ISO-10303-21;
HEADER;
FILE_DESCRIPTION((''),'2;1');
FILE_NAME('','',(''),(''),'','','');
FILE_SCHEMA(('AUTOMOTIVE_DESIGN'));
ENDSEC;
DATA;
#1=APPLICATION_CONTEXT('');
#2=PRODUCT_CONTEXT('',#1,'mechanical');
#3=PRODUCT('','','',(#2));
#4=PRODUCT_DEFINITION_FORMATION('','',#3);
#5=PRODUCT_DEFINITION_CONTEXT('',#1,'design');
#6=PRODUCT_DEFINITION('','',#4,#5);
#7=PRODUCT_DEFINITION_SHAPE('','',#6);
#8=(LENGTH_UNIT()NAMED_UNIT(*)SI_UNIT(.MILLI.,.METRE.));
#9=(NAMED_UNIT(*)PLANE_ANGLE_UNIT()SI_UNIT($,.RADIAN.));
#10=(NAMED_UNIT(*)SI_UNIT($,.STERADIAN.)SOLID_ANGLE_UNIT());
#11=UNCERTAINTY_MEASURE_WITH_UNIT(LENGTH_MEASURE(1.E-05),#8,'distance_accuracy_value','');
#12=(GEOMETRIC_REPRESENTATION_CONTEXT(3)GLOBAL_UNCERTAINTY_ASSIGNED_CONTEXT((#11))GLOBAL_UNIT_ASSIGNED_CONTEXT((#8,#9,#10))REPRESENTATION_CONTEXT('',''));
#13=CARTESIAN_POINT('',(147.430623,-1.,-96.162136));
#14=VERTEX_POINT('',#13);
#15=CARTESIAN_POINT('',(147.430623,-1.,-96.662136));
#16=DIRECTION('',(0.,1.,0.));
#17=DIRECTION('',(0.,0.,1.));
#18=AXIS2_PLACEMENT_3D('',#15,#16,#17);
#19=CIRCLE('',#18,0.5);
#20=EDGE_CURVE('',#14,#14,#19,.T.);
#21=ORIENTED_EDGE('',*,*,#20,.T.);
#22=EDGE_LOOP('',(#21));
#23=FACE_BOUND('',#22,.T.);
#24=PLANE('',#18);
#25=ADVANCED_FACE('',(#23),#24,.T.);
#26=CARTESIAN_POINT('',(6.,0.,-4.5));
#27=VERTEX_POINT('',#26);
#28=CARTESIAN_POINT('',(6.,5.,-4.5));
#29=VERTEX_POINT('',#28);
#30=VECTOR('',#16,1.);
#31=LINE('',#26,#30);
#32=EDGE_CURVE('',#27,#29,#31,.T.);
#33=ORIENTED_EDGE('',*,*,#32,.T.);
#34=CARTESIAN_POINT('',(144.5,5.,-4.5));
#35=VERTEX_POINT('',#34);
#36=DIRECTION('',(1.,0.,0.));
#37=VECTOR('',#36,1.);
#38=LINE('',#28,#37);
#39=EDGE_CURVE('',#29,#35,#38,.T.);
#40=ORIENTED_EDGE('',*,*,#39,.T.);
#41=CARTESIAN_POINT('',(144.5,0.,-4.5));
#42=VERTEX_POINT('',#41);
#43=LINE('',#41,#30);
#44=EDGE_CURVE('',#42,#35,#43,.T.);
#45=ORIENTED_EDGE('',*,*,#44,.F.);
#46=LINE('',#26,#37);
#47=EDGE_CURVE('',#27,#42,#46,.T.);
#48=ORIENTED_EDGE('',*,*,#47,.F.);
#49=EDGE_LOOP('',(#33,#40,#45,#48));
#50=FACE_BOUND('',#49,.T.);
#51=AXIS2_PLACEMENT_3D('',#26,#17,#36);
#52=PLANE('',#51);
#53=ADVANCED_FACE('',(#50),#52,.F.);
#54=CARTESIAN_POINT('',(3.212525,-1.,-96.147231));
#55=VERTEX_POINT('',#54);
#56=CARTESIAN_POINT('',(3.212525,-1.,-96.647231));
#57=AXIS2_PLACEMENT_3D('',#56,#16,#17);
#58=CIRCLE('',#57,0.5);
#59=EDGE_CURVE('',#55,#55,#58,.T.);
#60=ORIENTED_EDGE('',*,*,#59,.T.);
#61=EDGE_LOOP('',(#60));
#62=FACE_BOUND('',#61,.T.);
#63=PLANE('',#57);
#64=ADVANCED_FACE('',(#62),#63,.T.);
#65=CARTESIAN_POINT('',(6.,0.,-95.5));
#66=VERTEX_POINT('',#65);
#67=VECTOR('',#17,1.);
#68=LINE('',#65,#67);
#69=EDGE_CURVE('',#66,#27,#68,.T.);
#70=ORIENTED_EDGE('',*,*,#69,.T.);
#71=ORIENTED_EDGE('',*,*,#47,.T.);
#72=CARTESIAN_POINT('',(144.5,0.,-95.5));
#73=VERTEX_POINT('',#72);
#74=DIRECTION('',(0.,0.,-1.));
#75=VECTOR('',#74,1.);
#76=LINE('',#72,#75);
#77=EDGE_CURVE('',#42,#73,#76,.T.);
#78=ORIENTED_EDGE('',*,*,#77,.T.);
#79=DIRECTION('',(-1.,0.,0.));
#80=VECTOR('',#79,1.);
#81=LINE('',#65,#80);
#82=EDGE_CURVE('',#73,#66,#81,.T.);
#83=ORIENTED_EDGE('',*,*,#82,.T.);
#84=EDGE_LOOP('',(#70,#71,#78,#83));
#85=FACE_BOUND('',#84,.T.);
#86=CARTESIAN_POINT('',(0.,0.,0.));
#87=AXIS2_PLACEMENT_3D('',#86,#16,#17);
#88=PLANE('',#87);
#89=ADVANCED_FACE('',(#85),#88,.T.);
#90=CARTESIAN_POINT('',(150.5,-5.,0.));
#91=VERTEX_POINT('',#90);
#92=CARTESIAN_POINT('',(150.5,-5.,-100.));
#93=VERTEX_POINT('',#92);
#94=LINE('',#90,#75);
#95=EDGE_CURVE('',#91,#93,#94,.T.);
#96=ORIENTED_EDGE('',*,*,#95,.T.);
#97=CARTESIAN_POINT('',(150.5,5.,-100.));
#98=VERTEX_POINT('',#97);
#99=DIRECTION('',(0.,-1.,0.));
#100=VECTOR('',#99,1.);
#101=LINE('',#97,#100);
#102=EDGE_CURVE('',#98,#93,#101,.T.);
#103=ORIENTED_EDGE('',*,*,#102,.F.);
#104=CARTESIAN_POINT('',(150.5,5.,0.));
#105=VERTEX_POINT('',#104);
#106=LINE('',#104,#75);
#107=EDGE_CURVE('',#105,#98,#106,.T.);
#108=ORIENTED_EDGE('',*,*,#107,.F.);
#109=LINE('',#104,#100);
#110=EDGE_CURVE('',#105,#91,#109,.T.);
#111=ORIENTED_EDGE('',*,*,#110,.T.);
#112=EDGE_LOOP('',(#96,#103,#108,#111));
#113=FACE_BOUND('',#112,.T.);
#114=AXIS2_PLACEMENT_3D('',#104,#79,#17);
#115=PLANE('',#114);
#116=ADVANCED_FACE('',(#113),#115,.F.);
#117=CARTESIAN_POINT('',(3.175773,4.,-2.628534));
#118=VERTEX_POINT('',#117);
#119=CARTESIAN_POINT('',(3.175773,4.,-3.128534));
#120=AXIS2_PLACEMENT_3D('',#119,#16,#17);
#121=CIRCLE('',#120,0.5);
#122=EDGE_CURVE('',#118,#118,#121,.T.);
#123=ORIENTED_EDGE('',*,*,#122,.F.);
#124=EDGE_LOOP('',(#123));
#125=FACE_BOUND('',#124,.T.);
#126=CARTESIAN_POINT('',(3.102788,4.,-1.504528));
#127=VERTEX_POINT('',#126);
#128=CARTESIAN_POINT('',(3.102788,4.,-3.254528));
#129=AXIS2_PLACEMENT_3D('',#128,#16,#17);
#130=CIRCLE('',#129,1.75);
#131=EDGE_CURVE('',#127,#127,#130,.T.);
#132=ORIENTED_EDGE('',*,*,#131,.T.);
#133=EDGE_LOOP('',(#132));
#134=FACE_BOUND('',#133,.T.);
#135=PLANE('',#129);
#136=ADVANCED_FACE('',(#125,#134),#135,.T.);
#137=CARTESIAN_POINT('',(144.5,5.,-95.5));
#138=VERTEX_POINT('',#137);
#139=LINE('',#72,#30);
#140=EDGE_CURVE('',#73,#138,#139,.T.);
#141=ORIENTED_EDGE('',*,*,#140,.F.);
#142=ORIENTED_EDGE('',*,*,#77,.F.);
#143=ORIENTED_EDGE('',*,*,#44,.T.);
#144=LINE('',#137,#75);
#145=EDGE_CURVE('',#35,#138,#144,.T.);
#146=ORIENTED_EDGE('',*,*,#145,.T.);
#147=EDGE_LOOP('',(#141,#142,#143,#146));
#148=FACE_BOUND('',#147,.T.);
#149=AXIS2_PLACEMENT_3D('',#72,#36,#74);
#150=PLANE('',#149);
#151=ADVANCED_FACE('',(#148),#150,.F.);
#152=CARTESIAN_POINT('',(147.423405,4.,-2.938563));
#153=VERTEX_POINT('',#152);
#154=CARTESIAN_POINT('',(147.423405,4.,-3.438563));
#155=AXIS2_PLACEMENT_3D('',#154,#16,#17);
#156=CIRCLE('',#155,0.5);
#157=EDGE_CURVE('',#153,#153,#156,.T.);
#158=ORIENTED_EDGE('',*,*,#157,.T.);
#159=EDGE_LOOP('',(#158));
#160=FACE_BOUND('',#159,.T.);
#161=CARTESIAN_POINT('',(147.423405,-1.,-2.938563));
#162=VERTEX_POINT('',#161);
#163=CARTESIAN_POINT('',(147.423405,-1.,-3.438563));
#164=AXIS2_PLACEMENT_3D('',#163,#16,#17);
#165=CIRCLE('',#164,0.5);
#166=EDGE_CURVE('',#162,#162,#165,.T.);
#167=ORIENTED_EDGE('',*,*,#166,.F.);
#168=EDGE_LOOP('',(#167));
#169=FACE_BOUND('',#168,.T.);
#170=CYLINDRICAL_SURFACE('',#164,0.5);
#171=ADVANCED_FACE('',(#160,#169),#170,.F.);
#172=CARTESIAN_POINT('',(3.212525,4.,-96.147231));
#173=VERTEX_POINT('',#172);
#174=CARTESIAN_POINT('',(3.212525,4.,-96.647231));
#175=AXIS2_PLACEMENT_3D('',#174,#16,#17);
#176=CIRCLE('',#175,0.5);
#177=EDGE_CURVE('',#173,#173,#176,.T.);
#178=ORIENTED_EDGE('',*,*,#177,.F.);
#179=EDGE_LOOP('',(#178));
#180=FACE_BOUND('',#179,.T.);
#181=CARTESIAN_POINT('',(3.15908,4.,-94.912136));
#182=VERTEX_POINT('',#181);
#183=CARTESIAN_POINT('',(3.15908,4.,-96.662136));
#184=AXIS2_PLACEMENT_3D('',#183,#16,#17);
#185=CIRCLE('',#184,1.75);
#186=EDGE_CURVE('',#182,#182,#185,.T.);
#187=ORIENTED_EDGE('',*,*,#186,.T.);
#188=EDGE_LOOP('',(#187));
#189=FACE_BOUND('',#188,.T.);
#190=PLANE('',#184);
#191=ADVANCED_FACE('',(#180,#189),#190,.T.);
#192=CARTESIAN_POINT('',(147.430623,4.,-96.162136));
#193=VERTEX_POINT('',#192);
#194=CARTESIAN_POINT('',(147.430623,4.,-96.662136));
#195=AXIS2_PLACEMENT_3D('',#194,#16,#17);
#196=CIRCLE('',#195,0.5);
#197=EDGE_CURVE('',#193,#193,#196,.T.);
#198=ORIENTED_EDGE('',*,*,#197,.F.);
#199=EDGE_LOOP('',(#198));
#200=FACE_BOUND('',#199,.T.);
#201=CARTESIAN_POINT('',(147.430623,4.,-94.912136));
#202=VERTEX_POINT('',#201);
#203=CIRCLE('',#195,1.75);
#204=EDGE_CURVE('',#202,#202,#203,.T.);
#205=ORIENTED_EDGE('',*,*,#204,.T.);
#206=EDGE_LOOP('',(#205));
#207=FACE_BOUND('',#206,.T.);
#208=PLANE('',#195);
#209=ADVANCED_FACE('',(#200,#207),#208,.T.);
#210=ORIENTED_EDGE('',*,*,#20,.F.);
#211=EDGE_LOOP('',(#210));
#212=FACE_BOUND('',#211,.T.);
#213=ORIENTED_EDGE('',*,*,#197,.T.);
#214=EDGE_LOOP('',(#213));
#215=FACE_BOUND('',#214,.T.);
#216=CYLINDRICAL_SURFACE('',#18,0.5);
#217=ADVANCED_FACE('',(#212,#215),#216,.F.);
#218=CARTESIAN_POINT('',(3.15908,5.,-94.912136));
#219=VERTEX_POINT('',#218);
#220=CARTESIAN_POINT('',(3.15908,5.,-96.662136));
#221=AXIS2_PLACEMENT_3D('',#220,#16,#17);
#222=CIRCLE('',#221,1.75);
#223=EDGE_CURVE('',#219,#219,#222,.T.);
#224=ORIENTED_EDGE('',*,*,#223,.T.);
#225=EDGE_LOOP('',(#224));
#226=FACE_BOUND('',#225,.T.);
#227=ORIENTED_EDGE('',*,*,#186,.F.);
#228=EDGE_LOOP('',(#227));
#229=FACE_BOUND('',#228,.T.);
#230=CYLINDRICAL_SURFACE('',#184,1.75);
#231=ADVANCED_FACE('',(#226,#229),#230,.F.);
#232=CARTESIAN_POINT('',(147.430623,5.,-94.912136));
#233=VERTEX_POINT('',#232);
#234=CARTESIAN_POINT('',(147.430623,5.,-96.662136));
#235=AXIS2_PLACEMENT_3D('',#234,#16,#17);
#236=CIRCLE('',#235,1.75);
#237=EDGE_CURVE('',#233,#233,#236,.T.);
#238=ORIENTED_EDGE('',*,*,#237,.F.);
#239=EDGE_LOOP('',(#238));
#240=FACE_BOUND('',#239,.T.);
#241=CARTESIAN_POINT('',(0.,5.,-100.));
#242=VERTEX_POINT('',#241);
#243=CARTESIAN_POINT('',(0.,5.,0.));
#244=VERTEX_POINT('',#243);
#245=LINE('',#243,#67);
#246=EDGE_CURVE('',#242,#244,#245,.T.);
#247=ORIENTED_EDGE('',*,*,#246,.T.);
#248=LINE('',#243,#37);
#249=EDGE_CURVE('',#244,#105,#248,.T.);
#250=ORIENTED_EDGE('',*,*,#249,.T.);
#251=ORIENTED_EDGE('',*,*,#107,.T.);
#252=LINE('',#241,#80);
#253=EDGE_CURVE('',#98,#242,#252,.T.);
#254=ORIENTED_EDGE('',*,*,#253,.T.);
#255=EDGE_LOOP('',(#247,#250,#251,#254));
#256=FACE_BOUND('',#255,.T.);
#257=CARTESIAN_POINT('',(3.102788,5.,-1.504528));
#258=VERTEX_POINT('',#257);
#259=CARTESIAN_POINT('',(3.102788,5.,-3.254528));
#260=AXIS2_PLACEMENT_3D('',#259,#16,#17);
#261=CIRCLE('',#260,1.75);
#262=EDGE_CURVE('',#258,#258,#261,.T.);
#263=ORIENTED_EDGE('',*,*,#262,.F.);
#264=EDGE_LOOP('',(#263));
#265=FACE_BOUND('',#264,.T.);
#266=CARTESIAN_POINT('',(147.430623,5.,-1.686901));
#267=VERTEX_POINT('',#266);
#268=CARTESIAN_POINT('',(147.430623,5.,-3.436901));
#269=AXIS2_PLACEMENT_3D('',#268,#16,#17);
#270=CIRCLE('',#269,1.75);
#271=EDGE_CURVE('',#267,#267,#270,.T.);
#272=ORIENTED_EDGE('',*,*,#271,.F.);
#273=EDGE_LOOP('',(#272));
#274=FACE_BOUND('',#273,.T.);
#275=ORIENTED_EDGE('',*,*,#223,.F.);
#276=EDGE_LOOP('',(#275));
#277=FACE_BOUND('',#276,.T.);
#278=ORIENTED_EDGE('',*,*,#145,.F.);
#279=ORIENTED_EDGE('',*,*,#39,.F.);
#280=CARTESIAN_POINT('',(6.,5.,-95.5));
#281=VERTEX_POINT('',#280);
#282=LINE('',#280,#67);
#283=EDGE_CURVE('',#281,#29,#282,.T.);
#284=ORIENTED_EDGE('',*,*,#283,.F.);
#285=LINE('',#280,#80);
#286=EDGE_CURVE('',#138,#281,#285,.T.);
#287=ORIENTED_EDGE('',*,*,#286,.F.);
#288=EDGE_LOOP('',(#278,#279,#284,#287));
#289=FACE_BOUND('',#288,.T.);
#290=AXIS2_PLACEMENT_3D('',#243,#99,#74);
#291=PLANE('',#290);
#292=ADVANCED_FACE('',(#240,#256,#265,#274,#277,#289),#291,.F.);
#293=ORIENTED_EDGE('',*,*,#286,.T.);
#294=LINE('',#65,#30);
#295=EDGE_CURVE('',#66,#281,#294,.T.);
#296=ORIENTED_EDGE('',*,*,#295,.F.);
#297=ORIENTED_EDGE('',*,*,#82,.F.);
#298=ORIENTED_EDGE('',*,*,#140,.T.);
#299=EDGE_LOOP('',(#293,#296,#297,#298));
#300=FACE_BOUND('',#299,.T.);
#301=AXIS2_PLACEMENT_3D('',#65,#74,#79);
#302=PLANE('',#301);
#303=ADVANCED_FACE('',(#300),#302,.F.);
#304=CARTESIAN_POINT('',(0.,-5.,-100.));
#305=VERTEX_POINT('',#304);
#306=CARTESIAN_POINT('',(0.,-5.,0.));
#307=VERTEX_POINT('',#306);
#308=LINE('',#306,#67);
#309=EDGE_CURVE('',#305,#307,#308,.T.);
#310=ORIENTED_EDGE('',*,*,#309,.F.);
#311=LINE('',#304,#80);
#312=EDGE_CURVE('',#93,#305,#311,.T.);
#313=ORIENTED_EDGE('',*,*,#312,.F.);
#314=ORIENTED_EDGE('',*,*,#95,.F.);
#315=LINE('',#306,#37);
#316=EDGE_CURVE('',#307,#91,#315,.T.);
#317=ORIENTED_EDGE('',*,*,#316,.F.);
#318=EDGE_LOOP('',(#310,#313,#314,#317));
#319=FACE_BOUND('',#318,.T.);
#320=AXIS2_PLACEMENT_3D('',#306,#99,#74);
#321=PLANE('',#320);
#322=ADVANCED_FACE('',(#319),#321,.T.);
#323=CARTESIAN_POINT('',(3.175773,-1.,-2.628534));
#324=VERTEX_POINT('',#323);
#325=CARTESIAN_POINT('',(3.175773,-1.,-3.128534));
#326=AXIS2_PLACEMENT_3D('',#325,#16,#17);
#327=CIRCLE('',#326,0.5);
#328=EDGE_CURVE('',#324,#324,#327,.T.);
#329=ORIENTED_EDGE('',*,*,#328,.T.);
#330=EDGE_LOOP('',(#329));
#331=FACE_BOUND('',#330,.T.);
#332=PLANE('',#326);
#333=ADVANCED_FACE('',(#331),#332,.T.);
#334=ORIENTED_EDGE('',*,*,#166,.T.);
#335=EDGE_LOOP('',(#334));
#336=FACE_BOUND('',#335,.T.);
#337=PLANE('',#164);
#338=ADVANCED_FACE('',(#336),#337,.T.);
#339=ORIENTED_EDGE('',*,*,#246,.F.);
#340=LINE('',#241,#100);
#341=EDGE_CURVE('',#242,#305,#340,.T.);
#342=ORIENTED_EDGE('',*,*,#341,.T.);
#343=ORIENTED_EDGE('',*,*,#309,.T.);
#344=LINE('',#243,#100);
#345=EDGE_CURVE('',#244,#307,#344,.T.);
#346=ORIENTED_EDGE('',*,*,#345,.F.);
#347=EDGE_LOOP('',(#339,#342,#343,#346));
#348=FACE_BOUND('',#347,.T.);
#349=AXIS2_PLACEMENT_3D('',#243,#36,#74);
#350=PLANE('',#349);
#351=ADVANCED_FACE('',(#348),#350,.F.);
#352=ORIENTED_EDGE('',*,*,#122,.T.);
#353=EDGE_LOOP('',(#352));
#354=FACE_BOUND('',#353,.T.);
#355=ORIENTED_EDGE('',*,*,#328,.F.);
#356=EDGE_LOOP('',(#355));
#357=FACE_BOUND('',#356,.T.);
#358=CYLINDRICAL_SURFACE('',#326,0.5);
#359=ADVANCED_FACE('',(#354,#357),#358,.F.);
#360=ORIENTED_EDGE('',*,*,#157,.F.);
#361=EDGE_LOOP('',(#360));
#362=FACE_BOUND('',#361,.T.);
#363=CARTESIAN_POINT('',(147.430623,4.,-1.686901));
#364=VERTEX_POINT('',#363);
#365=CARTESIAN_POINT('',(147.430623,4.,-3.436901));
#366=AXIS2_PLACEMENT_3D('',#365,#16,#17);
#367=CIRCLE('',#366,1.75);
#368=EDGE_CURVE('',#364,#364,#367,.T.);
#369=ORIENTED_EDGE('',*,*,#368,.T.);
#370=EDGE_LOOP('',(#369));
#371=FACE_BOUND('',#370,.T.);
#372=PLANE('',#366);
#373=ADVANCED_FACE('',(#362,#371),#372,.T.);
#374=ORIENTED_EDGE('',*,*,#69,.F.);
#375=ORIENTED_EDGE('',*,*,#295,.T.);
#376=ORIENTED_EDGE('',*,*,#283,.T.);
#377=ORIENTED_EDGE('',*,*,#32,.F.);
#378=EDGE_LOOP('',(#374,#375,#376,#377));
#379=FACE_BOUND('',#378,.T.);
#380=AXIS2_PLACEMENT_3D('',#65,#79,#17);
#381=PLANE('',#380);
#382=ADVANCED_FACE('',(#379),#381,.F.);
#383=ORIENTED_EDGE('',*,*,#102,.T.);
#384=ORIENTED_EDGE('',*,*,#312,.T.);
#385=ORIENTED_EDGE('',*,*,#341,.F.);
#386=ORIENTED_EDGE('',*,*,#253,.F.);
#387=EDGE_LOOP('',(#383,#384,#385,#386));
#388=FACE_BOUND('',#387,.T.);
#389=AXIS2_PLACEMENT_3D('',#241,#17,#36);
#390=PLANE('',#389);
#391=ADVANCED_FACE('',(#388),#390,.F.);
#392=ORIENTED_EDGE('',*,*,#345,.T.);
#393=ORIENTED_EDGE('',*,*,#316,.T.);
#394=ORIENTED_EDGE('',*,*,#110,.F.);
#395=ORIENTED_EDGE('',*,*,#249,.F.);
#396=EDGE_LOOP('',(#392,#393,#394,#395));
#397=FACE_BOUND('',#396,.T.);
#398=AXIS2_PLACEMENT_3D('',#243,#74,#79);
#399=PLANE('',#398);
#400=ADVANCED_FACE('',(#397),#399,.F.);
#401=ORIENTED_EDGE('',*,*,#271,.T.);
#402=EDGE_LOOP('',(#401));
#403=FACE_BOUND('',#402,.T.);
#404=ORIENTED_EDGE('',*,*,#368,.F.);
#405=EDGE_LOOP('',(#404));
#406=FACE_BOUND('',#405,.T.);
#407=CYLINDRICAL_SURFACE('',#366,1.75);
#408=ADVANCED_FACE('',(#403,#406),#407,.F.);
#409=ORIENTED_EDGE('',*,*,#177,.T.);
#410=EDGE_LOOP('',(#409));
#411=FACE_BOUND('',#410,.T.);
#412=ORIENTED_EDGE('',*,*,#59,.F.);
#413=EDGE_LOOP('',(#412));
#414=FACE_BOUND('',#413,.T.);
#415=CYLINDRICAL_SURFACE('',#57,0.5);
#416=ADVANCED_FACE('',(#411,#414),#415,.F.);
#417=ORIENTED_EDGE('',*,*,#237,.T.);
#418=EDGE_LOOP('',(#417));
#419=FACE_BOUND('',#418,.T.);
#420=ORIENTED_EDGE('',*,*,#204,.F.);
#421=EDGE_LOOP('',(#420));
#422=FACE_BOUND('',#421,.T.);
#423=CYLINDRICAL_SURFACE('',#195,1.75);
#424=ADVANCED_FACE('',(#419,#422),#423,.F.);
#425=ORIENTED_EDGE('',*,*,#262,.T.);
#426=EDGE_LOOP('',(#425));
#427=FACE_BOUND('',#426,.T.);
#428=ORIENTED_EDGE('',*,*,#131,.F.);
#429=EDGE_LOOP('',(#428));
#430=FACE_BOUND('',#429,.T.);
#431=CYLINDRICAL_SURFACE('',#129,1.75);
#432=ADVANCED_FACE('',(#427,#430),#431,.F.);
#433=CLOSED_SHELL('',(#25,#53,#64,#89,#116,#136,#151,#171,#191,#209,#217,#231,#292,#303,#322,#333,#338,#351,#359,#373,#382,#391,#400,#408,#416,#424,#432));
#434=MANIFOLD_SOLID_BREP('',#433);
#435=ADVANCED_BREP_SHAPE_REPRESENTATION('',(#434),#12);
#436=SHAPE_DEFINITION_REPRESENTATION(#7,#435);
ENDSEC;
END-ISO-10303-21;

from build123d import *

# Parameters (mm, degrees)
SKETCH1_W           = 150.5
SKETCH1_H           = 100
BOSS_EXTRUDE1_DEPTH = 5
SKETCH2_W           = 138.5
SKETCH2_H           = 91
CUT_EXTRUDE1_DEPTH  = 5
SKETCH3_R           = 1.75
CUT_EXTRUDE2_DEPTH  = 1
SKETCH4_R           = 0.5
CUT_EXTRUDE3_DEPTH  = 5


with BuildPart() as part:
    # Sketch1 → Boss-Extrude1 (new, symmetric)
    with BuildSketch(Plane(origin=(0, 0, 0), x_dir=(1, 0, 0), z_dir=(0, 1, 0))):
        with Locations((75.25, 50)):
            Rectangle(SKETCH1_W, SKETCH1_H)
    extrude(amount=BOSS_EXTRUDE1_DEPTH, both=True)

    # Sketch2 → Cut-Extrude1 (cut)
    with BuildSketch(Plane(origin=(0, 5, 0), x_dir=(1, 0, 0), z_dir=(0, 1, 0))):
        with Locations((75.25, 50)):
            Rectangle(SKETCH2_W, SKETCH2_H)
    extrude(amount=-CUT_EXTRUDE1_DEPTH, mode=Mode.SUBTRACT)

    # Sketch3 → Cut-Extrude2 (cut)
    with BuildSketch(Plane(origin=(0, 5, 0), x_dir=(1, 0, 0), z_dir=(0, 1, 0))):
        with Locations(Location((3.159079735, 96.662135708, 0), (0, 0, 270))):
            Circle(SKETCH3_R)
        with Locations(Location((3.102788334, 3.254527641, 0), (0, 0, 270))):
            Circle(SKETCH3_R)
        with Locations(Location((147.430623058, 3.436900869, 0), (0, 0, 270))):
            Circle(SKETCH3_R)
        with Locations(Location((147.430623058, 96.662135708, 0), (0, 0, 270))):
            Circle(SKETCH3_R)
    extrude(amount=-CUT_EXTRUDE2_DEPTH, mode=Mode.SUBTRACT)

    # Sketch4 → Cut-Extrude3 (cut)
    with BuildSketch(Plane(origin=(0, 4, 0), x_dir=(1, 0, 0), z_dir=(0, 1, 0))):
        with Locations(Location((3.212524906, 96.64723106, 0), (0, 0, 270))):
            Circle(SKETCH4_R)
        with Locations(Location((3.17577296, 3.128534438, 0), (0, 0, 270))):
            Circle(SKETCH4_R)
        with Locations(Location((147.423404744, 3.438562915, 0), (0, 0, 270))):
            Circle(SKETCH4_R)
        with Locations(Location((147.430623058, 96.662135708, 0), (0, 0, 270))):
            Circle(SKETCH4_R)
    extrude(amount=-CUT_EXTRUDE3_DEPTH, mode=Mode.SUBTRACT)


solid = part.part
